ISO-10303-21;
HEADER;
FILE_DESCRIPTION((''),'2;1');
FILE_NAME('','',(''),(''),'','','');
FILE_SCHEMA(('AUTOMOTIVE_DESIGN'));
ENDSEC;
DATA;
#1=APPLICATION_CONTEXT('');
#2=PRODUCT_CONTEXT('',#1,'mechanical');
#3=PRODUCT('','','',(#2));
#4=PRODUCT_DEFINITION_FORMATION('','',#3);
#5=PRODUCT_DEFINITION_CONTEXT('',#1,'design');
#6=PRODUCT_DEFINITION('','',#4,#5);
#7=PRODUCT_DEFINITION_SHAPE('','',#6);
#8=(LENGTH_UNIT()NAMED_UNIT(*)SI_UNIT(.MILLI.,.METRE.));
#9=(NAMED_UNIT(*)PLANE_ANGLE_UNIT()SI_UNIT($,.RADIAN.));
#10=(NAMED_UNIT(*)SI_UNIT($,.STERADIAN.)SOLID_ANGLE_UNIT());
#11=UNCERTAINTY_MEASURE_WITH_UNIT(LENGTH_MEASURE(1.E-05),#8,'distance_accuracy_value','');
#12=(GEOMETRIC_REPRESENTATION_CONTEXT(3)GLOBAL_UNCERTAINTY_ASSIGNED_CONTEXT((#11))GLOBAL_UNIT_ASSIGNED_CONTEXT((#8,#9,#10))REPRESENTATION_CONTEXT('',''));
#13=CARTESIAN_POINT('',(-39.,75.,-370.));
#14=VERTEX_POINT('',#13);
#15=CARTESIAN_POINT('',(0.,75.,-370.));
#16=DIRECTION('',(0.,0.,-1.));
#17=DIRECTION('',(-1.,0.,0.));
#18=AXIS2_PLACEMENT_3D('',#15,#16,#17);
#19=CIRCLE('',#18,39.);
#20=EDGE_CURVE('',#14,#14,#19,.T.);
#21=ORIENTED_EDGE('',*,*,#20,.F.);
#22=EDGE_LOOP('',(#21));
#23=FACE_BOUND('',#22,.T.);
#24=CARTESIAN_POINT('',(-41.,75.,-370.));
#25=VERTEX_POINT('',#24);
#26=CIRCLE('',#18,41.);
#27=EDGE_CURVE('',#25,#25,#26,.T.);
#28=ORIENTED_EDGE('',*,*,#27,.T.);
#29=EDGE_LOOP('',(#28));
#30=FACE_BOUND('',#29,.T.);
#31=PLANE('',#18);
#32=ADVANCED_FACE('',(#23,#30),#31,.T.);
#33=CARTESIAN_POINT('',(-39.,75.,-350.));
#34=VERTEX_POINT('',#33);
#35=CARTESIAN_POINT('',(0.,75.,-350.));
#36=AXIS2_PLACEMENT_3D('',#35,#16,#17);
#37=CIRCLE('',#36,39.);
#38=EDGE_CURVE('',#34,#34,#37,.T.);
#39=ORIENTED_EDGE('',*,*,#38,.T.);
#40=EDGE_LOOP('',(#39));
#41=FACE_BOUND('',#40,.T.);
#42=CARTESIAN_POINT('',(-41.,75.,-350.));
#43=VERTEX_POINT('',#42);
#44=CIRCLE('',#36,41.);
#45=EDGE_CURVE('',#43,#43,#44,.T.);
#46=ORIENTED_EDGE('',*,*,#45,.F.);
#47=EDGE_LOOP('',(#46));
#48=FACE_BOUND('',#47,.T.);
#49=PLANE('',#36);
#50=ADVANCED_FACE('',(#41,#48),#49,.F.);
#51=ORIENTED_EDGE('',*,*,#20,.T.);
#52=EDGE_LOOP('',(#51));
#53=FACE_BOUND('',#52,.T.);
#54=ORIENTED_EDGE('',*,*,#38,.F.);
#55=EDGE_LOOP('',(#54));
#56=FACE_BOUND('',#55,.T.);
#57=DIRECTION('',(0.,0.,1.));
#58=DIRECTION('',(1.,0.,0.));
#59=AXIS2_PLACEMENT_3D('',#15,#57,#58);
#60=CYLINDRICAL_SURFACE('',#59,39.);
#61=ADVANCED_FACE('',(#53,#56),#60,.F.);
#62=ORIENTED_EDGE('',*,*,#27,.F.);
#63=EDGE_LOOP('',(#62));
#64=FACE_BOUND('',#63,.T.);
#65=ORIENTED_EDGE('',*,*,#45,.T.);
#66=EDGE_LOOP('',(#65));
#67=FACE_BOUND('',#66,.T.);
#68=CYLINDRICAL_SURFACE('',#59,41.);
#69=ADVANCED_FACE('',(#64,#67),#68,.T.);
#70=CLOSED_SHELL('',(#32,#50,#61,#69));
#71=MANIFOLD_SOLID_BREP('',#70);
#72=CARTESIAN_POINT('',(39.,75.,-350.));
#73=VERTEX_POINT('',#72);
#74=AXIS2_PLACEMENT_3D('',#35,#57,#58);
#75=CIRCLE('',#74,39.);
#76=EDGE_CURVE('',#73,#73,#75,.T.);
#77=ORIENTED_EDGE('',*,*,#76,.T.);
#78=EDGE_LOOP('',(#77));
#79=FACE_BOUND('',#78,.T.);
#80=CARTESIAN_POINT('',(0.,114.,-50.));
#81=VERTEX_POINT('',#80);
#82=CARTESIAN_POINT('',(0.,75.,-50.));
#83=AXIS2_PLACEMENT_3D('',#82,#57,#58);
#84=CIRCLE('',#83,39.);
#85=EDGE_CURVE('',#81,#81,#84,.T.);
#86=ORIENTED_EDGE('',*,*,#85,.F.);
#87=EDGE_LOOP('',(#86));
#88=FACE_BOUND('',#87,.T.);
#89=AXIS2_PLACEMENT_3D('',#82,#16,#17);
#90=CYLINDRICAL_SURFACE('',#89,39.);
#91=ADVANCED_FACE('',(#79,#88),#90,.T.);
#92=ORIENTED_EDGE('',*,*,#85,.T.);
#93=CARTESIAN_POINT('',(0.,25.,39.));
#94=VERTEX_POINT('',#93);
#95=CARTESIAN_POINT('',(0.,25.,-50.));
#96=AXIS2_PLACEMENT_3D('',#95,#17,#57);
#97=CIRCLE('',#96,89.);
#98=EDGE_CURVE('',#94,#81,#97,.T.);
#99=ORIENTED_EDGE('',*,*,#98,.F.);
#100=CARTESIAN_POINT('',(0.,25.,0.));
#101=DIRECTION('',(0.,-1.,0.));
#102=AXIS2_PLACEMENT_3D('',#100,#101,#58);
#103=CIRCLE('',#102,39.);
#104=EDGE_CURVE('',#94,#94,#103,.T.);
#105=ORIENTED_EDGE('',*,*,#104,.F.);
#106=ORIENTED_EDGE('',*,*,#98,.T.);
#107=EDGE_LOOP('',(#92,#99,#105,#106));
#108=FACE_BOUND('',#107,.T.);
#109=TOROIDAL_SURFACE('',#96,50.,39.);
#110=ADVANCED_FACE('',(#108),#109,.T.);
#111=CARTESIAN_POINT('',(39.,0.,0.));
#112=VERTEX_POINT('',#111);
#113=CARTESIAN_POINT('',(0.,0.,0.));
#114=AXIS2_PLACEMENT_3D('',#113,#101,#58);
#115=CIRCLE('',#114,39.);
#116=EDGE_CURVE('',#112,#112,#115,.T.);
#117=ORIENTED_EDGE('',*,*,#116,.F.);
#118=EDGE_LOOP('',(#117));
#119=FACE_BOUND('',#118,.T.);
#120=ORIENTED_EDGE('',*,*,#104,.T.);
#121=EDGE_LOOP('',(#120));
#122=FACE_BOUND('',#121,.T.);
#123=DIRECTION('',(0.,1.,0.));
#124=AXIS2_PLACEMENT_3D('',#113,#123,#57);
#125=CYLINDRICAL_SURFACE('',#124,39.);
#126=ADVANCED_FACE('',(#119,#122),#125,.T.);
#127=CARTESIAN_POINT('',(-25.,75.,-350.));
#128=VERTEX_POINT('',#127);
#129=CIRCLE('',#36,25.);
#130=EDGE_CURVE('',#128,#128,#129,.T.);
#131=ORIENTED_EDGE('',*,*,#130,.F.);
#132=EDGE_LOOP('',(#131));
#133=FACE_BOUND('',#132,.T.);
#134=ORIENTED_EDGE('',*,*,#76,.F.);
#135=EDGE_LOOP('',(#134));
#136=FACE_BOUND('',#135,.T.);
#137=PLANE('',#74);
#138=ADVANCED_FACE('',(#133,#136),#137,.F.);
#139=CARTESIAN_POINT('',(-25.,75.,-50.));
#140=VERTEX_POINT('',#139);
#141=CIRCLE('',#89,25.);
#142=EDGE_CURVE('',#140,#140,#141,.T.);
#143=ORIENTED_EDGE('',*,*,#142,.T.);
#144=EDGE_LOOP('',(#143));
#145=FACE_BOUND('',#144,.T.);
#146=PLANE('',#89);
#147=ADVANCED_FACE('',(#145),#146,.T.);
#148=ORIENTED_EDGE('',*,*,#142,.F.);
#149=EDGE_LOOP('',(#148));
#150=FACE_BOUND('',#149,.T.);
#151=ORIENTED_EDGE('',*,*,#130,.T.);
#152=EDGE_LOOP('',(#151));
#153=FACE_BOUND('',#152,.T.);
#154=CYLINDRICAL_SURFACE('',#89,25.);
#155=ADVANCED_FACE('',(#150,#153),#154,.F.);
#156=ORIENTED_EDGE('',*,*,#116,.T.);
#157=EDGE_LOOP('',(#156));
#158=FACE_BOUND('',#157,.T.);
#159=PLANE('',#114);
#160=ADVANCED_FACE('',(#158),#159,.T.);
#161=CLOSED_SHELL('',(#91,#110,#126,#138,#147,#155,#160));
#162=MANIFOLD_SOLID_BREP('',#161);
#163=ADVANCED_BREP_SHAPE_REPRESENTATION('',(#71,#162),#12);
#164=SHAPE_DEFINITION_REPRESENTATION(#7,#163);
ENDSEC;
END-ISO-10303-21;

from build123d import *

# Parameters (mm, degrees)
SWEEP2_PROFILE_R    = 39
SKETCH8_R           = 41
SKETCH8_R_2         = 39
BOSS_EXTRUDE1_DEPTH = 20
SKETCH11_R          = 25
CUT_EXTRUDE1_DEPTH  = 300


with BuildPart() as part:
    # Sweep2: sweep along a path in Sketch2
    with BuildLine(Plane(origin=(0, 0, 0), x_dir=(0, 0, -1), z_dir=(1, 0, 0))) as sweep2_path:
        Line((0, 0), (0, 25))
        ThreePointArc((0, 25), (14.644660941, 60.355339059), (50, 75))
        Line((50, 75), (350, 75))
    # Sweep2 profile (on start of the path) → Sweep2 (sweep)
    with BuildSketch(Plane.ZX):
        Circle(SWEEP2_PROFILE_R)
    sweep(path=sweep2_path.line)

    # Sketch11 → Cut-Extrude1 (cut)
    with BuildSketch(Plane(origin=(0, 0, -350), x_dir=(-1, 0, 0), z_dir=(0, 0, -1))):
        with Locations((0, 75)):
            Circle(SKETCH11_R)
    extrude(amount=-CUT_EXTRUDE1_DEPTH, mode=Mode.SUBTRACT)


with BuildPart() as body_2:
    # Sketch8 → Boss-Extrude1 (new body)
    with BuildSketch(Plane(origin=(0, 0, -350), x_dir=(-1, 0, 0), z_dir=(0, 0, -1))):
        with Locations((0, 75)):
            Circle(SKETCH8_R)
        with Locations((0, 75)):
            Circle(SKETCH8_R_2, mode=Mode.SUBTRACT)
    extrude(amount=BOSS_EXTRUDE1_DEPTH)


solid = Compound([part.part, body_2.part])
